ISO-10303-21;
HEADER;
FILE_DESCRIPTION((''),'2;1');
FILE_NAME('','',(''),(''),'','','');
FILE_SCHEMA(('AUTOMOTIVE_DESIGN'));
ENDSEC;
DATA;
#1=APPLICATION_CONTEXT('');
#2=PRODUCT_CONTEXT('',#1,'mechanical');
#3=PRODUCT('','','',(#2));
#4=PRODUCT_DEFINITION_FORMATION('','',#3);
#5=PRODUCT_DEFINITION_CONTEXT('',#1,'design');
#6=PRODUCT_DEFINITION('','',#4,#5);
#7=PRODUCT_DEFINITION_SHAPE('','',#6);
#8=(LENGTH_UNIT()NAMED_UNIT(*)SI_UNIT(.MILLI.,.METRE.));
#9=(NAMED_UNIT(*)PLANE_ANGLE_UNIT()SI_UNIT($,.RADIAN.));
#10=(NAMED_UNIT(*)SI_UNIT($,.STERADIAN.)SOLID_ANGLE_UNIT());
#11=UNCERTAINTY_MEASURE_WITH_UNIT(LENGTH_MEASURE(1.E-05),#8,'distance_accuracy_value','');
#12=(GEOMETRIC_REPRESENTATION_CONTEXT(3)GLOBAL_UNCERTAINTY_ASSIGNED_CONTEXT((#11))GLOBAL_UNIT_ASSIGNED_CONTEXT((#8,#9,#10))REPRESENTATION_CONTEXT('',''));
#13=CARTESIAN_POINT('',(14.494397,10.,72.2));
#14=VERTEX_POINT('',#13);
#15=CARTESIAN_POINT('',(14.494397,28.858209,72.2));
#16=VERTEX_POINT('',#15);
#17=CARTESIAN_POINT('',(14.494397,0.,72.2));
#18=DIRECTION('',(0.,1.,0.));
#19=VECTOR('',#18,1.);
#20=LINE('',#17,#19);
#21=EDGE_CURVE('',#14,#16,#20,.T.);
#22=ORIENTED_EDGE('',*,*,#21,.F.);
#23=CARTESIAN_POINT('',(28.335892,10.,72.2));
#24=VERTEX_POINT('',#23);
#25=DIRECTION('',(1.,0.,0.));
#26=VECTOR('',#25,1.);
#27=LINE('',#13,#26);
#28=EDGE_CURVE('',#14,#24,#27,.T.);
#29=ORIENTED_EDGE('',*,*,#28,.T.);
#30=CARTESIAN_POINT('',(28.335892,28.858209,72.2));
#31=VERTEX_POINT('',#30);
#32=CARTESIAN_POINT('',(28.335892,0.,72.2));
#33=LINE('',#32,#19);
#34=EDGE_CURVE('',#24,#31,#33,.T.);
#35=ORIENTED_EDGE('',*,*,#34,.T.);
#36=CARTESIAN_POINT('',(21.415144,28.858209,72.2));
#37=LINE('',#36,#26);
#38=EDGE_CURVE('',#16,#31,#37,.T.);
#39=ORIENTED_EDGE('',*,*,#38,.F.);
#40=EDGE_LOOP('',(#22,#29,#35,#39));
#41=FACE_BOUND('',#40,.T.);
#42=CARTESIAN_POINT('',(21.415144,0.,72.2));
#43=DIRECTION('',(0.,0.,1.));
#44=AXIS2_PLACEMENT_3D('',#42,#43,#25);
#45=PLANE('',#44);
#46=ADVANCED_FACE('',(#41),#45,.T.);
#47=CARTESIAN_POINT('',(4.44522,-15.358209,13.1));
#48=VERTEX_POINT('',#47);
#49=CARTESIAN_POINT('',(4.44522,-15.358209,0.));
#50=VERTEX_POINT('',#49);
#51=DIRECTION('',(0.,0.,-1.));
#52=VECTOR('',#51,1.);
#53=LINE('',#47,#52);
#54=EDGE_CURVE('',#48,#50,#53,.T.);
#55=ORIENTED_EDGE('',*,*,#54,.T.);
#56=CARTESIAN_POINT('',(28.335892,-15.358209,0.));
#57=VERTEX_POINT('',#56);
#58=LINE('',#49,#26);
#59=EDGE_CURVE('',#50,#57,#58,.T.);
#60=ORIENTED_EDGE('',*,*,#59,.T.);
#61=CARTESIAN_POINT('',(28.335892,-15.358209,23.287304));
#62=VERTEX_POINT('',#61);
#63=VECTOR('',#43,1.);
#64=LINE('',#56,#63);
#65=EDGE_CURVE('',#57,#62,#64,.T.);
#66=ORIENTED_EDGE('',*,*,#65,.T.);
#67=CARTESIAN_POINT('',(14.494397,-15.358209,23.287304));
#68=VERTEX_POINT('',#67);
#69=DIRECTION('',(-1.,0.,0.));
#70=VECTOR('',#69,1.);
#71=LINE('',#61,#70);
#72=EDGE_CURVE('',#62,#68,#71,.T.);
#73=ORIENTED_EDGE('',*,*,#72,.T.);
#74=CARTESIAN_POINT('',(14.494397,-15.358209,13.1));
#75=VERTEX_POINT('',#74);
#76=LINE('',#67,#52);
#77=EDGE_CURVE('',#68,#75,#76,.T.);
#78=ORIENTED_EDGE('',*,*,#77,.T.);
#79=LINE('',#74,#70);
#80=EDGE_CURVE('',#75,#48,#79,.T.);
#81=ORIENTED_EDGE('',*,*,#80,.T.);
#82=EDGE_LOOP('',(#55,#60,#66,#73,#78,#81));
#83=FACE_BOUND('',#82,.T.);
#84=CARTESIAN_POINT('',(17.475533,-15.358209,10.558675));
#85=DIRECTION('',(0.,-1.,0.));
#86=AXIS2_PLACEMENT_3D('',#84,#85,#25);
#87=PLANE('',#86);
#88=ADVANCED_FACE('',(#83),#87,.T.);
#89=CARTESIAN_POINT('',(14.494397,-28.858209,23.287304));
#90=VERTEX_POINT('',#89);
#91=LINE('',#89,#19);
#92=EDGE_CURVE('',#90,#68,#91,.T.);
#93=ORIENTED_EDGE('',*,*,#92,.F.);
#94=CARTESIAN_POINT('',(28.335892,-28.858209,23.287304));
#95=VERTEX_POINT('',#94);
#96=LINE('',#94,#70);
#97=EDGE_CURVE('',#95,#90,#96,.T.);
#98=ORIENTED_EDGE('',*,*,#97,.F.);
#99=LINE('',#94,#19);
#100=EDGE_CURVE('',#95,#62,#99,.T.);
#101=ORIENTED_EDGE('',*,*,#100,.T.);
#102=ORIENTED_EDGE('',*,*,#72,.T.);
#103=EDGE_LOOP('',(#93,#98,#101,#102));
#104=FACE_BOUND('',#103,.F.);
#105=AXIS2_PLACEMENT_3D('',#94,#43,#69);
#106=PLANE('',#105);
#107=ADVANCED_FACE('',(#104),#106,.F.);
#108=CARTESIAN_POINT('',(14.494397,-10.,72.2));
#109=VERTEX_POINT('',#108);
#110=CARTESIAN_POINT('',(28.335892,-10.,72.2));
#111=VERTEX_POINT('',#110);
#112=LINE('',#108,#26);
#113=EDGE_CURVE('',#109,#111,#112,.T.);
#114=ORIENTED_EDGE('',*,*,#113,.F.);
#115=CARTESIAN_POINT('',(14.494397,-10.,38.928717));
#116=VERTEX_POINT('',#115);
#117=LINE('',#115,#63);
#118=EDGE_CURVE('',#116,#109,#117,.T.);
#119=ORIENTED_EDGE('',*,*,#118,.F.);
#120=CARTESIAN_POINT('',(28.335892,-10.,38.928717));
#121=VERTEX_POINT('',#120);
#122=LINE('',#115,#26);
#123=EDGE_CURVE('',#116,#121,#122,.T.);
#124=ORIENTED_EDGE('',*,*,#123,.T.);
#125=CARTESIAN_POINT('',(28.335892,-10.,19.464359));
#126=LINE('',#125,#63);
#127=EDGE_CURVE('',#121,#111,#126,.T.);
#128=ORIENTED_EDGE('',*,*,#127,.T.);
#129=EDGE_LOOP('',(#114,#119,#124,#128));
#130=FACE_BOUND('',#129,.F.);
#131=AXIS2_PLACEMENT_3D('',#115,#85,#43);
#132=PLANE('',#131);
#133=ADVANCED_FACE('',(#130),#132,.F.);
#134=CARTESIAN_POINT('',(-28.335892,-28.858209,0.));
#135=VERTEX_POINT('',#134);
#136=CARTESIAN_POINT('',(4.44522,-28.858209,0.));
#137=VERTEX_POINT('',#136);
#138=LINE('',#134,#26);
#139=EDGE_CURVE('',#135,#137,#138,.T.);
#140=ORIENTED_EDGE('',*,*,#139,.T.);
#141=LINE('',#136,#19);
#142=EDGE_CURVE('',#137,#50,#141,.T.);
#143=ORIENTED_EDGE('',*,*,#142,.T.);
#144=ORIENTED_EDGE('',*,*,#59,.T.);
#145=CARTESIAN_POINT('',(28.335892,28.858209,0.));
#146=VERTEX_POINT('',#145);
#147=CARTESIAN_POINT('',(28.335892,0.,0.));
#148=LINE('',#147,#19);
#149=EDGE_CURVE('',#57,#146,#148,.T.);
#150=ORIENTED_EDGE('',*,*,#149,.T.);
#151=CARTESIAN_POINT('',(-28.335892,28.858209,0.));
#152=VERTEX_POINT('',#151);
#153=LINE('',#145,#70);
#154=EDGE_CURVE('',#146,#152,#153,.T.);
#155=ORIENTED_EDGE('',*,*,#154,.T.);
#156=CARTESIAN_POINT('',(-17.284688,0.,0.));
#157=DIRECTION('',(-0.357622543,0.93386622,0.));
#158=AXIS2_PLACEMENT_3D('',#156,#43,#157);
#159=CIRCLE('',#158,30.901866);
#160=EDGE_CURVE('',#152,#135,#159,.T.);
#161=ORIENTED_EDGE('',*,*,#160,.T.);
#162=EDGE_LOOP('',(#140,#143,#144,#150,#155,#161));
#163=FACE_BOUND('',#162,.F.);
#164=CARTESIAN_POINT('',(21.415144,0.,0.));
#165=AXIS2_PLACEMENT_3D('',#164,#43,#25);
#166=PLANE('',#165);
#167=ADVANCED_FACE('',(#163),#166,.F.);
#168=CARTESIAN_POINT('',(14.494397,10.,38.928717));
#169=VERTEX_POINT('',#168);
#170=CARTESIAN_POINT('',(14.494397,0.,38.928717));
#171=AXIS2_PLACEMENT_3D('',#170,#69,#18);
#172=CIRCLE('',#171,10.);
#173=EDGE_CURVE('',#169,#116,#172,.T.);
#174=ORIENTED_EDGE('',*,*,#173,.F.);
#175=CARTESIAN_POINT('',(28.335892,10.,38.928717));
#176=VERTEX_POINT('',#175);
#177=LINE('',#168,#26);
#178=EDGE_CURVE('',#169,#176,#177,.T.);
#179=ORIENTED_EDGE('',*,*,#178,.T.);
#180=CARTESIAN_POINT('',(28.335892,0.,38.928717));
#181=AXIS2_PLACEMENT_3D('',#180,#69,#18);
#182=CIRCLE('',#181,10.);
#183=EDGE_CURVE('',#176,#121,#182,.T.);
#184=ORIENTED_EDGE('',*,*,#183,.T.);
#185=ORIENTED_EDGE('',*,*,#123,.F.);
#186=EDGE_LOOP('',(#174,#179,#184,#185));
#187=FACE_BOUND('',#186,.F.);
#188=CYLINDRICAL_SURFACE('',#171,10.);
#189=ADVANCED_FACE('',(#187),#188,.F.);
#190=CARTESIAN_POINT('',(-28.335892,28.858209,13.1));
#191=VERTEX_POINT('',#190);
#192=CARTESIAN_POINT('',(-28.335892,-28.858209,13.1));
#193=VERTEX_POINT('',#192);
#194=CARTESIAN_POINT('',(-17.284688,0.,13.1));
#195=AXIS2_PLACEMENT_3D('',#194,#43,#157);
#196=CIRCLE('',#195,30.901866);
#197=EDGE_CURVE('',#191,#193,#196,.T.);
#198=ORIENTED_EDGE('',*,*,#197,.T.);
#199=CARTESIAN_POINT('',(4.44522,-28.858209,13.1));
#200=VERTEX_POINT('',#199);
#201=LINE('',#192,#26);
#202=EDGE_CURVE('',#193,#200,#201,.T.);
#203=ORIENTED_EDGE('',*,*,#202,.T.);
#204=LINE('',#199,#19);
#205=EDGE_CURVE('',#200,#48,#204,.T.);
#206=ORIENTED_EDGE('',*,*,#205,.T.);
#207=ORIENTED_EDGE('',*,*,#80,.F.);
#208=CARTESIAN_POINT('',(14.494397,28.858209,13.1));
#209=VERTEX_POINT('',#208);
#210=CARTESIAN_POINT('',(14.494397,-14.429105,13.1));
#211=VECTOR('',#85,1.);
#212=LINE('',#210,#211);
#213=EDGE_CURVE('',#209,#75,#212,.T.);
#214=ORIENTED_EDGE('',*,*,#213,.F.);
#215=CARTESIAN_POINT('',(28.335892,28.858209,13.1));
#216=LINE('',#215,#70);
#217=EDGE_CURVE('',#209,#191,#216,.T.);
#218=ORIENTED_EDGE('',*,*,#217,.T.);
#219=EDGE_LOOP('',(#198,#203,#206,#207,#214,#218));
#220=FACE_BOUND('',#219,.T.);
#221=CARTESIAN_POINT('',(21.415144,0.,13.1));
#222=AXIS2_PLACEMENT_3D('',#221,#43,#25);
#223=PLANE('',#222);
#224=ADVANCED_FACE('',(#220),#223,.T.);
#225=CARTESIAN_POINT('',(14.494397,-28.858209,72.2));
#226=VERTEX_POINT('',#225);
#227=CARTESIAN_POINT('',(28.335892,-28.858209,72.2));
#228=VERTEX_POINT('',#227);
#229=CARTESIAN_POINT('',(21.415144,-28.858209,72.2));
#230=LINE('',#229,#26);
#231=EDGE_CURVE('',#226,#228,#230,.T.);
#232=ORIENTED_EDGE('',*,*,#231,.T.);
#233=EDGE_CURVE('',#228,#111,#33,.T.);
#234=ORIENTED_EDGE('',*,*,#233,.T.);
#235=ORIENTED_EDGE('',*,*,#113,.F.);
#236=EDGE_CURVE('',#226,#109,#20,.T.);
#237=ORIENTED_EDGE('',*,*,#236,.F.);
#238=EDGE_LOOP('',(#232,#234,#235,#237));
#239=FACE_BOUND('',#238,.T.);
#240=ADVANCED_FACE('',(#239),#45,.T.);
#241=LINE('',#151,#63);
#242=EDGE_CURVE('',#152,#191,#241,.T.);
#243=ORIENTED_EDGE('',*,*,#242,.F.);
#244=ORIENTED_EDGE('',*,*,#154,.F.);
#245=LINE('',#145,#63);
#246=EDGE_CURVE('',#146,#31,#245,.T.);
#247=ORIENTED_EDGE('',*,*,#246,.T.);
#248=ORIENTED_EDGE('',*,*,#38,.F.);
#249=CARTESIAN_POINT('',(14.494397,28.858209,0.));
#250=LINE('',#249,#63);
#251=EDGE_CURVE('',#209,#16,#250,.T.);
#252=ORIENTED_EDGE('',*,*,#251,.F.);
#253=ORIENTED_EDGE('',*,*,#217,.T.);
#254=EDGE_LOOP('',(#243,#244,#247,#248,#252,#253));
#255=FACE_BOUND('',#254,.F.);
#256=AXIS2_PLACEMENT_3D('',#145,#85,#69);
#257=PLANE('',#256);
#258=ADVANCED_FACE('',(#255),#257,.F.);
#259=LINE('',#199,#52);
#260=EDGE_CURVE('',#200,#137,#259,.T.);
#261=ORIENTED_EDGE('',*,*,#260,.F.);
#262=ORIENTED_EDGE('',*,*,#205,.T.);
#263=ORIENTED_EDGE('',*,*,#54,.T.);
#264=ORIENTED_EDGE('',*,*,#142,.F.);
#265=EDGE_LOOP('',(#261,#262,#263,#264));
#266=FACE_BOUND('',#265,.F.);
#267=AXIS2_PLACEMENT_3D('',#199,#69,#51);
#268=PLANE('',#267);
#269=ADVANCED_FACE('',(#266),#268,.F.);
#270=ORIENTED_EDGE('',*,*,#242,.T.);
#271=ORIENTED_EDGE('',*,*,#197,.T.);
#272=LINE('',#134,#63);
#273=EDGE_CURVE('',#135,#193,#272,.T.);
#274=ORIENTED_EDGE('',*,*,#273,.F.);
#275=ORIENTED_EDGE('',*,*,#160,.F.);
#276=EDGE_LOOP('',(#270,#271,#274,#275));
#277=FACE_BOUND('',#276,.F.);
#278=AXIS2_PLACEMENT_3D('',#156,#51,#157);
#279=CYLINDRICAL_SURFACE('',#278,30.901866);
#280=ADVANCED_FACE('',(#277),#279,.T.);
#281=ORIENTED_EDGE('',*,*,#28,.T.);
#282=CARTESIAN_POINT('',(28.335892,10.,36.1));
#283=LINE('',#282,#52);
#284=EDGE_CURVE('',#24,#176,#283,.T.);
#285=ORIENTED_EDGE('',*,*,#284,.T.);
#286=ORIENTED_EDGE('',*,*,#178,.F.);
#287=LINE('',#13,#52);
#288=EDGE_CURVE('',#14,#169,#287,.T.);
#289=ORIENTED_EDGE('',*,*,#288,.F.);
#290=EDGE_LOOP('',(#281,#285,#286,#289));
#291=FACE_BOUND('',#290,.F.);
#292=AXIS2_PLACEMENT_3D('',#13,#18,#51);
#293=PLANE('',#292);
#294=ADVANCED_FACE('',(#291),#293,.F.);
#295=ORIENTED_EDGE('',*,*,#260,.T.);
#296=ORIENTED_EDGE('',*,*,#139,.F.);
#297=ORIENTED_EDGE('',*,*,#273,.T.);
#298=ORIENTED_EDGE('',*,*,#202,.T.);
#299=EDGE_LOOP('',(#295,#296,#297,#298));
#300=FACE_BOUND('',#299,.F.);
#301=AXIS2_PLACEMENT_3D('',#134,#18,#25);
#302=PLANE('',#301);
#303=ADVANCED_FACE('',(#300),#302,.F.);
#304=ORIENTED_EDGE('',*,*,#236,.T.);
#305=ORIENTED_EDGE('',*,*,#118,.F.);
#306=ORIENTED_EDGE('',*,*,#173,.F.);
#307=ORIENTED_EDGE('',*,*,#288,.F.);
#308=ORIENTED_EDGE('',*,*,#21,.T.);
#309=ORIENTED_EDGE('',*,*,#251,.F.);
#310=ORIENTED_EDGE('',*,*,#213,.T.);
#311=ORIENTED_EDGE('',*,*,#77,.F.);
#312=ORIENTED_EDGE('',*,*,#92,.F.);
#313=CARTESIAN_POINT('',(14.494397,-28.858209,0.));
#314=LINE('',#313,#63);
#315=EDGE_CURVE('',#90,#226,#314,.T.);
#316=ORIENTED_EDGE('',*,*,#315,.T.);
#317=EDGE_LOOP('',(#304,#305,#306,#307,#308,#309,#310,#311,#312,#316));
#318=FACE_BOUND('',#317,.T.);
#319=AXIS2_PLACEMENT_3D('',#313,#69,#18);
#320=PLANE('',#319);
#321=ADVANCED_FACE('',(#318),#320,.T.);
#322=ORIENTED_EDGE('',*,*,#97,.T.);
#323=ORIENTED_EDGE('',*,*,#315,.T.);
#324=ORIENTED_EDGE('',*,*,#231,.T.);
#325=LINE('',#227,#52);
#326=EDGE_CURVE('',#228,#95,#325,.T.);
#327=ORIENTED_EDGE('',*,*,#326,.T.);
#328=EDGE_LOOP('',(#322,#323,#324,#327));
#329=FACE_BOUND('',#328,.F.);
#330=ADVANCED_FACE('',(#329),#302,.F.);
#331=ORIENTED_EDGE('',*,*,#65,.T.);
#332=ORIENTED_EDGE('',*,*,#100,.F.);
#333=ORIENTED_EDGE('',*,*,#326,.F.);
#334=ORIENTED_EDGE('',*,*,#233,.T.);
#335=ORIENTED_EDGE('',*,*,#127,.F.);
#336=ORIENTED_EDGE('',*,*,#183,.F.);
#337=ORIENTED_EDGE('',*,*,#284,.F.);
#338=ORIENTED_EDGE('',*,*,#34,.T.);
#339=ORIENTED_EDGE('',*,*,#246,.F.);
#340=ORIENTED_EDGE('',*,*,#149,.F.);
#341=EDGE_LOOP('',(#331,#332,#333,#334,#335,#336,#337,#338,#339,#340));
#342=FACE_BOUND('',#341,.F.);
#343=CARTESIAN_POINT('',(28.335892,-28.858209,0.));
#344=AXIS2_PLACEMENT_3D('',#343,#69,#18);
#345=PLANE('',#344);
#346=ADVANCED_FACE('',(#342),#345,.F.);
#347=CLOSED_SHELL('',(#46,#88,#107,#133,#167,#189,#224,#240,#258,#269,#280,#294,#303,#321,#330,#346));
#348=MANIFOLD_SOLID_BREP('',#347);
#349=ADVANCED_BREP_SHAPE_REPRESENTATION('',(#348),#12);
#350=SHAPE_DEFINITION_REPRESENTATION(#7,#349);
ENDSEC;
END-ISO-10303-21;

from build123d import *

# Parameters (mm, degrees)
F0_W     = 13.8414949179
F0_H     = 57.7164180577
F1_DEPTH = 13.1
F2_DEPTH = 72.2
F4_DEPTH = 13.8424949179
F6_DEPTH = 13.5


with BuildPart() as f1:
    # F0 (on Top) → F1 (new body)
    with BuildSketch(Plane.XY):
        with Locations((21.4151442051, 0)):
            Rectangle(F0_W, F0_H)
        with BuildLine():
            Line((-28.335891664, -28.8582090288), (14.4943967462, -28.8582090288))
            Line((14.4943967462, -28.8582090288), (14.4943967462, 28.8582090288))
            Line((14.4943967462, 28.8582090288), (-28.335891664, 28.8582090288))
            ThreePointArc((-28.335891664, 28.8582090288), (-48.1865539217, 0), (-28.335891664, -28.8582090288))
        make_face()
    extrude(amount=F1_DEPTH)

    # F0 (on Top) → F2 (join)
    with BuildSketch(Plane.XY):
        with Locations((21.4151442051, 0)):
            Rectangle(F0_W, F0_H)
    extrude(amount=F2_DEPTH)

    # F3 (on face) → F4 (cut, through all)
    with BuildSketch(Plane(origin=(14.4943967462, 0, 0), x_dir=(0, -1, 0), z_dir=(-1, 0, 0))):
        with BuildLine():
            Line((10, 72.2), (-10, 72.2))
            Line((-10, 72.2), (-10, 38.9287173748))
            ThreePointArc((-10, 38.9287173748), (0, 28.9287173748), (10, 38.9287173748))
            Line((10, 38.9287173748), (10, 72.2))
        make_face()
        with BuildLine():
            ThreePointArc((10, 72.2), (0, 82.2), (-10, 72.2))
            Line((-10, 72.2), (10, 72.2))
        make_face()
    extrude(amount=-F4_DEPTH, mode=Mode.SUBTRACT)

    # F5 (on face) → F6 (cut)
    with BuildSketch(Plane.XZ.offset(28.8582090288)):
        Polygon((28.335891664, 23.2873037457), (14.4943967462, 23.2873037457), (14.4943967462, 13.1), (4.4452203438, 13.1), (4.4452203438, 0), (28.335891664, 0), align=None)
    extrude(amount=-F6_DEPTH, mode=Mode.SUBTRACT)


solid = f1.part
